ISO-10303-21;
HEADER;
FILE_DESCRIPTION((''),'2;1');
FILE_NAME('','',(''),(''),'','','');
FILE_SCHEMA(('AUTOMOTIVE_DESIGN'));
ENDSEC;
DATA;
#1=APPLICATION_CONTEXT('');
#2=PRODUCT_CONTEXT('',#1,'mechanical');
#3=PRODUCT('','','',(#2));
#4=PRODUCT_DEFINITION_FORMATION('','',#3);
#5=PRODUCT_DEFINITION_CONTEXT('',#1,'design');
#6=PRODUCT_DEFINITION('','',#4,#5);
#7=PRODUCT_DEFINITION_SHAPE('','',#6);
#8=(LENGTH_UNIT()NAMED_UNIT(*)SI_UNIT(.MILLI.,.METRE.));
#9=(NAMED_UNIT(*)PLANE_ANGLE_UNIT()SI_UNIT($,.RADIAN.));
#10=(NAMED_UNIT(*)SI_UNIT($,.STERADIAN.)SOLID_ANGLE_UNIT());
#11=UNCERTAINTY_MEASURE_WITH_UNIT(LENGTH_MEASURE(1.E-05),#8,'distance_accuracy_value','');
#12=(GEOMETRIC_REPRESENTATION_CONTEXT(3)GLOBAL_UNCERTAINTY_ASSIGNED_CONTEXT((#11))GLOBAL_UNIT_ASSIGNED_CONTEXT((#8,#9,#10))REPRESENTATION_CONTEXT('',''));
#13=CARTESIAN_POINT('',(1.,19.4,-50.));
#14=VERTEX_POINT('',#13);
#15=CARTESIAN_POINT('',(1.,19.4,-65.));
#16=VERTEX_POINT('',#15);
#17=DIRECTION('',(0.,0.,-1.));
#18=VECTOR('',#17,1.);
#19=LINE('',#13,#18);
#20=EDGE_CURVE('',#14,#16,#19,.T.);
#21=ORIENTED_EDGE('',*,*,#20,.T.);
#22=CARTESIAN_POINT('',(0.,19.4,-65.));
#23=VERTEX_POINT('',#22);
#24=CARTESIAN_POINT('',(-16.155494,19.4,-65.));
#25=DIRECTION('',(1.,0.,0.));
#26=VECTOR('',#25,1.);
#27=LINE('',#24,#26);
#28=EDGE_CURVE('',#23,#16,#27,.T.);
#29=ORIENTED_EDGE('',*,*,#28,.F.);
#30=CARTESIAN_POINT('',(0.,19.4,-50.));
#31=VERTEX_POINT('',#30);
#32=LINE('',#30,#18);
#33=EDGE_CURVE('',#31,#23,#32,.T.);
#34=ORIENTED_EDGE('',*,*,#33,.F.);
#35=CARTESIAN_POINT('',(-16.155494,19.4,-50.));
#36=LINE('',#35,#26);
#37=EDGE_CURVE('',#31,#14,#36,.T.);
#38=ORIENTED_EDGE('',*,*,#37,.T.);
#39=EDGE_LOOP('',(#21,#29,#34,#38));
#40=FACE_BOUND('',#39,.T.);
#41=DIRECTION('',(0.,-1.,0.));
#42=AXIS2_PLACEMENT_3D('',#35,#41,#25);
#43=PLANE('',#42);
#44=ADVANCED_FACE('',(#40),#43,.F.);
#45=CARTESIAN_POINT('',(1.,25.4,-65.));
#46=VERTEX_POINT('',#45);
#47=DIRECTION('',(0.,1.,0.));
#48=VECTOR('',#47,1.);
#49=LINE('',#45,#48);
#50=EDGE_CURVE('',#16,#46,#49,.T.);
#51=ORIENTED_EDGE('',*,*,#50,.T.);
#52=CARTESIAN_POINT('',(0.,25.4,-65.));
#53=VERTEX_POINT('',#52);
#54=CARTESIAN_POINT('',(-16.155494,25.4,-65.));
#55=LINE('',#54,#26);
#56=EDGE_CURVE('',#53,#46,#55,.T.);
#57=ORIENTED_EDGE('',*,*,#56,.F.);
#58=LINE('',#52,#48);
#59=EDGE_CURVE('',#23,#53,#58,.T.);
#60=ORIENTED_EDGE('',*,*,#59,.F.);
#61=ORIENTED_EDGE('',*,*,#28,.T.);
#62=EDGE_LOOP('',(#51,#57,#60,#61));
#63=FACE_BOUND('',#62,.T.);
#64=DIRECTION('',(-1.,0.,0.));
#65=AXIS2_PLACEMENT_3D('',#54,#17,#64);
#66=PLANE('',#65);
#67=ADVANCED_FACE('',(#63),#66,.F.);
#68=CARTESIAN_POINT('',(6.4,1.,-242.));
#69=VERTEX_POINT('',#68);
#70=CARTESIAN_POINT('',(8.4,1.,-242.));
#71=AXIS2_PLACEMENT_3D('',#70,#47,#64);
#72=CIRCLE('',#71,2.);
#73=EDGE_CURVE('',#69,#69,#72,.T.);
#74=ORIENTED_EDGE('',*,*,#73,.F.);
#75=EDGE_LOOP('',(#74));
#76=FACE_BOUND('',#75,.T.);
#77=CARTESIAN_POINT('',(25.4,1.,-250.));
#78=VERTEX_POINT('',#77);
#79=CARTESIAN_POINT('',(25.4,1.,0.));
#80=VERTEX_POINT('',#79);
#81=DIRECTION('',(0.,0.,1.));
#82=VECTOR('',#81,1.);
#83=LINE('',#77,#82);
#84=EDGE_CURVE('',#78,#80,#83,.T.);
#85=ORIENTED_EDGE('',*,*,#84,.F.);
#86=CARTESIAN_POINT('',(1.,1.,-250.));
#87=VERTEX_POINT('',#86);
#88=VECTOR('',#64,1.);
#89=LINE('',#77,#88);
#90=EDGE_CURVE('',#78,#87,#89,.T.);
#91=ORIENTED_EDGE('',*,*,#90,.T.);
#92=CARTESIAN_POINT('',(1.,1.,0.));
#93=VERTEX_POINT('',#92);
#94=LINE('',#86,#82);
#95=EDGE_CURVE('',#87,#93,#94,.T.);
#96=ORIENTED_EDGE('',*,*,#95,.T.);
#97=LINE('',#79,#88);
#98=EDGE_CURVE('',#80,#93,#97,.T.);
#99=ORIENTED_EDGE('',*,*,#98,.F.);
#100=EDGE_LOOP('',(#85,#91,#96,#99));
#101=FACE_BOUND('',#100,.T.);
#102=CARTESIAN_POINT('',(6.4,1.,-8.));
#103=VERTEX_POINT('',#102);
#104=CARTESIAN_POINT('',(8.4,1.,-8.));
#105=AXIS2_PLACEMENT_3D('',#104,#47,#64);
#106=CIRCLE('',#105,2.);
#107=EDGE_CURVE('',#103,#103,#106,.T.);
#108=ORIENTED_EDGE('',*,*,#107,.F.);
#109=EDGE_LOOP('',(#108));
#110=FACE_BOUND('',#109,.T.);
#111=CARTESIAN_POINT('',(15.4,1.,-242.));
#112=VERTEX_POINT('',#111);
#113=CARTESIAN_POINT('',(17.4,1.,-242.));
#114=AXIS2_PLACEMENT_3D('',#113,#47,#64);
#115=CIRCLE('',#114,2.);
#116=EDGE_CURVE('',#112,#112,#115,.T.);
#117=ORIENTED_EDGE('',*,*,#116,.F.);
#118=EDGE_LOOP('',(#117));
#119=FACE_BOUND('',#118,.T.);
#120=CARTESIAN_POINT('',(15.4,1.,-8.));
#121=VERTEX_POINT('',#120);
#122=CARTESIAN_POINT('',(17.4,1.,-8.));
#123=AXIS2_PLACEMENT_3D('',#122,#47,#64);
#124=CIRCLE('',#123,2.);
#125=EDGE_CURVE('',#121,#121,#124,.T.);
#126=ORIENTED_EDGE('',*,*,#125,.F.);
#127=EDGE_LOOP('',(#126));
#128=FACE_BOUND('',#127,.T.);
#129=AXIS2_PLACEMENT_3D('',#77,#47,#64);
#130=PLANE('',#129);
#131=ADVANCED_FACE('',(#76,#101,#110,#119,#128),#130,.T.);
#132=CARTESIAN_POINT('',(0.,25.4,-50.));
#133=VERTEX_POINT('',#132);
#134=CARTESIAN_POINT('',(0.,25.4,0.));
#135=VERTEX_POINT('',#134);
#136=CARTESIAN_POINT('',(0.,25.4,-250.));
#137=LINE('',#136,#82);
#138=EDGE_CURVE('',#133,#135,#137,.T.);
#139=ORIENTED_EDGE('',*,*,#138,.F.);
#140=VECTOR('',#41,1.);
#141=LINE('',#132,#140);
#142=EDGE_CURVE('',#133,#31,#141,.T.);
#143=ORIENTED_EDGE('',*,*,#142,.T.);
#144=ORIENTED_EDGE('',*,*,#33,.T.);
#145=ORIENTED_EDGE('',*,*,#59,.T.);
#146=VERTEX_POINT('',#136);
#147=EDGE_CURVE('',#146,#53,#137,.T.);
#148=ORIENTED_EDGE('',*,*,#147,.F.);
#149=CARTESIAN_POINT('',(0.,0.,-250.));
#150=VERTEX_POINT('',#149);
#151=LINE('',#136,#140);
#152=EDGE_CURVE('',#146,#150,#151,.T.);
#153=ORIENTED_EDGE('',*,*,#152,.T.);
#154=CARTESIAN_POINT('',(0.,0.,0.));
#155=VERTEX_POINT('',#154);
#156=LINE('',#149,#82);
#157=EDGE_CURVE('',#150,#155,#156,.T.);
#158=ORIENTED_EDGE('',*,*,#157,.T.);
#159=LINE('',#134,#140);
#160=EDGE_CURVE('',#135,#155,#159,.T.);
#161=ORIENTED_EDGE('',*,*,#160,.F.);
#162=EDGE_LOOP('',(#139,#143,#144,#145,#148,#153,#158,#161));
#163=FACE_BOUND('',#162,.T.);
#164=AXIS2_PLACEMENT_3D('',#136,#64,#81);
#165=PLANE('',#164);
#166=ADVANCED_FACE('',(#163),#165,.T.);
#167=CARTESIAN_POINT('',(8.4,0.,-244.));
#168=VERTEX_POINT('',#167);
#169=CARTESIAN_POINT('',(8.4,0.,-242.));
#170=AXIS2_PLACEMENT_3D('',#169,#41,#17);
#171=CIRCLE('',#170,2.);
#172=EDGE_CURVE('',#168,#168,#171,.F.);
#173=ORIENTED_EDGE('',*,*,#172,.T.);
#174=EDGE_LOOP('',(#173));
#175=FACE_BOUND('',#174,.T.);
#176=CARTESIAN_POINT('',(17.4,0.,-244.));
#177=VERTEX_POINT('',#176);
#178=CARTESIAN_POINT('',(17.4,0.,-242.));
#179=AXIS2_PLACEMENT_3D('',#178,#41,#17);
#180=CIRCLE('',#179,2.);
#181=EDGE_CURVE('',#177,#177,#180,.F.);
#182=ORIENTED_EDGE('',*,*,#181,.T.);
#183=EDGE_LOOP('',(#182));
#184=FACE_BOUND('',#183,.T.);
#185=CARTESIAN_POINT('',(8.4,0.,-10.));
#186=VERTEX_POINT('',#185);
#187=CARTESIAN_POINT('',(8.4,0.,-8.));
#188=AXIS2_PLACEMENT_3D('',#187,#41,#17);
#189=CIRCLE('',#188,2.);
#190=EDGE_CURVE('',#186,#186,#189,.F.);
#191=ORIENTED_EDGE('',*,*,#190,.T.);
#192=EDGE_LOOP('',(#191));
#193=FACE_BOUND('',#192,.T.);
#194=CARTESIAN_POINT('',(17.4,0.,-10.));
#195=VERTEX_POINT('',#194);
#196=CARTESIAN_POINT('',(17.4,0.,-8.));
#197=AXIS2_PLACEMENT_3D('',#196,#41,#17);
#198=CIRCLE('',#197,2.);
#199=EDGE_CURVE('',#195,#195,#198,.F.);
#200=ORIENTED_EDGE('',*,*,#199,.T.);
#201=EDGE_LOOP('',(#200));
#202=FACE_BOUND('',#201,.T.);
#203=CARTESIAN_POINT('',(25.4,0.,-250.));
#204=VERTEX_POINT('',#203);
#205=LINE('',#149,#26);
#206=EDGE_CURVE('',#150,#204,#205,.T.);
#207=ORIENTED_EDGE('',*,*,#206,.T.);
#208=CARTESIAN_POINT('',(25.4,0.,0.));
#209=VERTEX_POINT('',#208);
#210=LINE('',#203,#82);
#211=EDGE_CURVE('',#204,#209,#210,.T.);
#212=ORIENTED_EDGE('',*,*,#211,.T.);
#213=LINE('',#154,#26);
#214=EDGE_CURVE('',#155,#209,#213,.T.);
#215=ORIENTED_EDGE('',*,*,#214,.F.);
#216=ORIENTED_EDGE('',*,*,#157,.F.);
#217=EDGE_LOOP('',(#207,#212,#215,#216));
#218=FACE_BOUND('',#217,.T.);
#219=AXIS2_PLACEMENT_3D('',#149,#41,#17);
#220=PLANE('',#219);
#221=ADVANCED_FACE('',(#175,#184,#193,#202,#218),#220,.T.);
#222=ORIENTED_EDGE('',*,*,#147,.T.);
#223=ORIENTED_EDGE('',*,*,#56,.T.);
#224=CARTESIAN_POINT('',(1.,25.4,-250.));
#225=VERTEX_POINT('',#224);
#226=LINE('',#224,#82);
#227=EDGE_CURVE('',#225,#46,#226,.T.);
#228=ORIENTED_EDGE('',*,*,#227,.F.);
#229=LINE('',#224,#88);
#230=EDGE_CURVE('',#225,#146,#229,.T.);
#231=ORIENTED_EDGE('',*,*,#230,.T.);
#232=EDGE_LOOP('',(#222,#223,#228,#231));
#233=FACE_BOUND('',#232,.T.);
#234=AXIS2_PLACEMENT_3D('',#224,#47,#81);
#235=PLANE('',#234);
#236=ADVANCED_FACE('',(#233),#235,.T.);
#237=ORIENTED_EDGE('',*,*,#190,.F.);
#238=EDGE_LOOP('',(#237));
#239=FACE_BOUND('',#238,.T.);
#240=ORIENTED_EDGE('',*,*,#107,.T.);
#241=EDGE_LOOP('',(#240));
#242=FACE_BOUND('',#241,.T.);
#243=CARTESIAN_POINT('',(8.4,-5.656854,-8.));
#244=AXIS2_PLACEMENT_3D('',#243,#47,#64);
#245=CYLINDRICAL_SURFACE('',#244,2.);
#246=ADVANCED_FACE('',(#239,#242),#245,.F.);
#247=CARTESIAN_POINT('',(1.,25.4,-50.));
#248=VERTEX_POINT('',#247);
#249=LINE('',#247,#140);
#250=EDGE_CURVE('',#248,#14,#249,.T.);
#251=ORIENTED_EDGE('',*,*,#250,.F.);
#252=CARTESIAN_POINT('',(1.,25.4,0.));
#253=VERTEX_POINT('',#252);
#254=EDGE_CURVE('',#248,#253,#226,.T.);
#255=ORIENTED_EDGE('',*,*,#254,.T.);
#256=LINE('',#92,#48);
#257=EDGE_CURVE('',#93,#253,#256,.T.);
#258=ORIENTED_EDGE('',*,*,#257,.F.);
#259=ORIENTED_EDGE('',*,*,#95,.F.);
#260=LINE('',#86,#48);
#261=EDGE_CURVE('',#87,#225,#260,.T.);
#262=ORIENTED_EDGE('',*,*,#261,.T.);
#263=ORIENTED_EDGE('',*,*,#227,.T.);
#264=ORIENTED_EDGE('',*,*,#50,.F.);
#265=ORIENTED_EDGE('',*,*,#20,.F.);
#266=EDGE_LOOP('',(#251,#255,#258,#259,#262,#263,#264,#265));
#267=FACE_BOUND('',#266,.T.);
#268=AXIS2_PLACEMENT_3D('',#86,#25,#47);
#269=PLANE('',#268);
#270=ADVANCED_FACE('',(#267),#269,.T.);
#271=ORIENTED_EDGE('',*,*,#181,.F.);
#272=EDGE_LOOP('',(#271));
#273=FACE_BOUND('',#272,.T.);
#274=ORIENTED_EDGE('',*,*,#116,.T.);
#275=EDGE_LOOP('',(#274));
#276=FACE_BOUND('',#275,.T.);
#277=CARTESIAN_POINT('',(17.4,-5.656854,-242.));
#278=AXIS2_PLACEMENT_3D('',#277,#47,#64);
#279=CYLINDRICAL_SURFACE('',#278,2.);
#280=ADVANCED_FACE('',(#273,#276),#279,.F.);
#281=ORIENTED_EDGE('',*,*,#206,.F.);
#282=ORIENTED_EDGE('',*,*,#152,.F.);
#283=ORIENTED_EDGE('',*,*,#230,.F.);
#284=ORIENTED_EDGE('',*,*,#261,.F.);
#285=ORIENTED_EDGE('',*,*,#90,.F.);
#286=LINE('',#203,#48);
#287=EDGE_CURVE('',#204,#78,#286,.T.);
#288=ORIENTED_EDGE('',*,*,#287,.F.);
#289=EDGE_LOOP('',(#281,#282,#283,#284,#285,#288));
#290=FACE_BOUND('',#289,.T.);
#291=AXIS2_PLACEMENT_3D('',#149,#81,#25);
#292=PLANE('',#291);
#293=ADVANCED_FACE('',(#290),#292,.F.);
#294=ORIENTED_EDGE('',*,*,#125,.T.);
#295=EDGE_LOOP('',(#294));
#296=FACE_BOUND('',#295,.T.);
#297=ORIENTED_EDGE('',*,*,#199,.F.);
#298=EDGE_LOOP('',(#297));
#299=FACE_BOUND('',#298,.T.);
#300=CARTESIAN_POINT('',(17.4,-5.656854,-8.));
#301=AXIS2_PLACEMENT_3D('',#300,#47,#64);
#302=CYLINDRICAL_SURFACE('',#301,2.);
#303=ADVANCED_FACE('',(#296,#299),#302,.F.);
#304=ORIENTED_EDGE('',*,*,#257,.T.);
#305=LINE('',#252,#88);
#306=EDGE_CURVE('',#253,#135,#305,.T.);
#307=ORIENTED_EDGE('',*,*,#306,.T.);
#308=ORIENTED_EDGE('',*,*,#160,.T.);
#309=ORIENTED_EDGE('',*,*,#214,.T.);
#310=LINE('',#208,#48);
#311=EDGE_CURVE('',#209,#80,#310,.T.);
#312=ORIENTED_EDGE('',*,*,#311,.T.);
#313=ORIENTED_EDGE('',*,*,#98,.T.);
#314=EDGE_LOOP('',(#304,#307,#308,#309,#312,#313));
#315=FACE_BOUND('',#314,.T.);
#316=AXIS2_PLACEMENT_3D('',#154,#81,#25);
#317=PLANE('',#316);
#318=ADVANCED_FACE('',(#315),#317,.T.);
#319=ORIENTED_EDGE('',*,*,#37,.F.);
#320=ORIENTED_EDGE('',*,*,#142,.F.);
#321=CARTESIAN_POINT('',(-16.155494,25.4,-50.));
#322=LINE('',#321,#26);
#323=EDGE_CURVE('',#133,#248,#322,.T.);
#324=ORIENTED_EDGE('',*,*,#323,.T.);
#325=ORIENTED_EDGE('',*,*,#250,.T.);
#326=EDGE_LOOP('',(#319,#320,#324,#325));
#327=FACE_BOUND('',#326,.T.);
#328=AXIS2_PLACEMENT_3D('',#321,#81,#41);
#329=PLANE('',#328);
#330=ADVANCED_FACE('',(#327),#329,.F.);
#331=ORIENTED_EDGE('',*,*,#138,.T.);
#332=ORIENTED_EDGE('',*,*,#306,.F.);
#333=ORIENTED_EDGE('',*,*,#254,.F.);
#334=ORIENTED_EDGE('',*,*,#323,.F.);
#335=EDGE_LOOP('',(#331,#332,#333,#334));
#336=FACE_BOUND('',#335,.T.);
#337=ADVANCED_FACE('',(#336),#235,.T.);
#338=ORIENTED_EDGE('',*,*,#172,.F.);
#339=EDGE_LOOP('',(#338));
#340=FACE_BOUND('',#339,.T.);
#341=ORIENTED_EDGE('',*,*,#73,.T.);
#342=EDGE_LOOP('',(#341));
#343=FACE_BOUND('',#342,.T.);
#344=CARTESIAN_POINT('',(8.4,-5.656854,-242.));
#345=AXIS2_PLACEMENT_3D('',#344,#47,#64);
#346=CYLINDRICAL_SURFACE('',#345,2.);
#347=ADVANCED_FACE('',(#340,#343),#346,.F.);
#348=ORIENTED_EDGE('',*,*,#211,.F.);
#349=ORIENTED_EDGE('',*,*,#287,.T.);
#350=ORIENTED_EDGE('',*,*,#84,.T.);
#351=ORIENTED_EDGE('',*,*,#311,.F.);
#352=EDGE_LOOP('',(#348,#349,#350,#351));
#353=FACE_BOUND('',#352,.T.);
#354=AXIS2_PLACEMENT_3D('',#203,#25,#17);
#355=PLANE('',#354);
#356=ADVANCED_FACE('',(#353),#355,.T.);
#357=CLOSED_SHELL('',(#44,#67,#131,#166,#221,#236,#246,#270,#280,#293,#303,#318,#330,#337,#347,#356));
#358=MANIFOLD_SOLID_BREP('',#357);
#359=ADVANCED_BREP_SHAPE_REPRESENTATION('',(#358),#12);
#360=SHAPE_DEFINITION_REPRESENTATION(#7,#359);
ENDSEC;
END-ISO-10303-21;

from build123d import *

# Parameters (mm, degrees)
BOSS_EXTRUDE1_DEPTH = 250
SKETCH2_R           = 2
CUT_EXTRUDE1_DEPTH  = 1
SKETCH3_W           = 15
SKETCH3_H           = 6
CUT_EXTRUDE2_DEPTH  = 1


with BuildPart() as part:
    # Sketch1 → Boss-Extrude1 (new body)
    with BuildSketch(Plane.XY):
        Polygon((0, 0), (25.4, 0), (25.4, 1), (1, 1), (1, 25.4), (0, 25.4), align=None)
    extrude(amount=-BOSS_EXTRUDE1_DEPTH)

    # Sketch2 → Cut-Extrude1 (cut)
    with BuildSketch(Plane(origin=(0, 1, 0), x_dir=(1, 0, 0), z_dir=(0, 1, 0))):
        with Locations(Location((8.4, 8, 0), (0, 0, 180))):
            Circle(SKETCH2_R)
        with Locations(Location((17.4, 8, 0), (0, 0, 180))):
            Circle(SKETCH2_R)
        with Locations(Location((8.4, 242, 0), (0, 0, 180))):
            Circle(SKETCH2_R)
        with Locations(Location((17.4, 242, 0), (0, 0, 180))):
            Circle(SKETCH2_R)
    extrude(amount=-CUT_EXTRUDE1_DEPTH, mode=Mode.SUBTRACT)

    # Sketch3 → Cut-Extrude2 (cut)
    with BuildSketch(Plane(origin=(1, 0, 0), x_dir=(0, 0, -1), z_dir=(1, 0, 0))):
        with Locations((57.5, 22.4)):
            Rectangle(SKETCH3_W, SKETCH3_H)
    extrude(amount=-CUT_EXTRUDE2_DEPTH, mode=Mode.SUBTRACT)


solid = part.part
